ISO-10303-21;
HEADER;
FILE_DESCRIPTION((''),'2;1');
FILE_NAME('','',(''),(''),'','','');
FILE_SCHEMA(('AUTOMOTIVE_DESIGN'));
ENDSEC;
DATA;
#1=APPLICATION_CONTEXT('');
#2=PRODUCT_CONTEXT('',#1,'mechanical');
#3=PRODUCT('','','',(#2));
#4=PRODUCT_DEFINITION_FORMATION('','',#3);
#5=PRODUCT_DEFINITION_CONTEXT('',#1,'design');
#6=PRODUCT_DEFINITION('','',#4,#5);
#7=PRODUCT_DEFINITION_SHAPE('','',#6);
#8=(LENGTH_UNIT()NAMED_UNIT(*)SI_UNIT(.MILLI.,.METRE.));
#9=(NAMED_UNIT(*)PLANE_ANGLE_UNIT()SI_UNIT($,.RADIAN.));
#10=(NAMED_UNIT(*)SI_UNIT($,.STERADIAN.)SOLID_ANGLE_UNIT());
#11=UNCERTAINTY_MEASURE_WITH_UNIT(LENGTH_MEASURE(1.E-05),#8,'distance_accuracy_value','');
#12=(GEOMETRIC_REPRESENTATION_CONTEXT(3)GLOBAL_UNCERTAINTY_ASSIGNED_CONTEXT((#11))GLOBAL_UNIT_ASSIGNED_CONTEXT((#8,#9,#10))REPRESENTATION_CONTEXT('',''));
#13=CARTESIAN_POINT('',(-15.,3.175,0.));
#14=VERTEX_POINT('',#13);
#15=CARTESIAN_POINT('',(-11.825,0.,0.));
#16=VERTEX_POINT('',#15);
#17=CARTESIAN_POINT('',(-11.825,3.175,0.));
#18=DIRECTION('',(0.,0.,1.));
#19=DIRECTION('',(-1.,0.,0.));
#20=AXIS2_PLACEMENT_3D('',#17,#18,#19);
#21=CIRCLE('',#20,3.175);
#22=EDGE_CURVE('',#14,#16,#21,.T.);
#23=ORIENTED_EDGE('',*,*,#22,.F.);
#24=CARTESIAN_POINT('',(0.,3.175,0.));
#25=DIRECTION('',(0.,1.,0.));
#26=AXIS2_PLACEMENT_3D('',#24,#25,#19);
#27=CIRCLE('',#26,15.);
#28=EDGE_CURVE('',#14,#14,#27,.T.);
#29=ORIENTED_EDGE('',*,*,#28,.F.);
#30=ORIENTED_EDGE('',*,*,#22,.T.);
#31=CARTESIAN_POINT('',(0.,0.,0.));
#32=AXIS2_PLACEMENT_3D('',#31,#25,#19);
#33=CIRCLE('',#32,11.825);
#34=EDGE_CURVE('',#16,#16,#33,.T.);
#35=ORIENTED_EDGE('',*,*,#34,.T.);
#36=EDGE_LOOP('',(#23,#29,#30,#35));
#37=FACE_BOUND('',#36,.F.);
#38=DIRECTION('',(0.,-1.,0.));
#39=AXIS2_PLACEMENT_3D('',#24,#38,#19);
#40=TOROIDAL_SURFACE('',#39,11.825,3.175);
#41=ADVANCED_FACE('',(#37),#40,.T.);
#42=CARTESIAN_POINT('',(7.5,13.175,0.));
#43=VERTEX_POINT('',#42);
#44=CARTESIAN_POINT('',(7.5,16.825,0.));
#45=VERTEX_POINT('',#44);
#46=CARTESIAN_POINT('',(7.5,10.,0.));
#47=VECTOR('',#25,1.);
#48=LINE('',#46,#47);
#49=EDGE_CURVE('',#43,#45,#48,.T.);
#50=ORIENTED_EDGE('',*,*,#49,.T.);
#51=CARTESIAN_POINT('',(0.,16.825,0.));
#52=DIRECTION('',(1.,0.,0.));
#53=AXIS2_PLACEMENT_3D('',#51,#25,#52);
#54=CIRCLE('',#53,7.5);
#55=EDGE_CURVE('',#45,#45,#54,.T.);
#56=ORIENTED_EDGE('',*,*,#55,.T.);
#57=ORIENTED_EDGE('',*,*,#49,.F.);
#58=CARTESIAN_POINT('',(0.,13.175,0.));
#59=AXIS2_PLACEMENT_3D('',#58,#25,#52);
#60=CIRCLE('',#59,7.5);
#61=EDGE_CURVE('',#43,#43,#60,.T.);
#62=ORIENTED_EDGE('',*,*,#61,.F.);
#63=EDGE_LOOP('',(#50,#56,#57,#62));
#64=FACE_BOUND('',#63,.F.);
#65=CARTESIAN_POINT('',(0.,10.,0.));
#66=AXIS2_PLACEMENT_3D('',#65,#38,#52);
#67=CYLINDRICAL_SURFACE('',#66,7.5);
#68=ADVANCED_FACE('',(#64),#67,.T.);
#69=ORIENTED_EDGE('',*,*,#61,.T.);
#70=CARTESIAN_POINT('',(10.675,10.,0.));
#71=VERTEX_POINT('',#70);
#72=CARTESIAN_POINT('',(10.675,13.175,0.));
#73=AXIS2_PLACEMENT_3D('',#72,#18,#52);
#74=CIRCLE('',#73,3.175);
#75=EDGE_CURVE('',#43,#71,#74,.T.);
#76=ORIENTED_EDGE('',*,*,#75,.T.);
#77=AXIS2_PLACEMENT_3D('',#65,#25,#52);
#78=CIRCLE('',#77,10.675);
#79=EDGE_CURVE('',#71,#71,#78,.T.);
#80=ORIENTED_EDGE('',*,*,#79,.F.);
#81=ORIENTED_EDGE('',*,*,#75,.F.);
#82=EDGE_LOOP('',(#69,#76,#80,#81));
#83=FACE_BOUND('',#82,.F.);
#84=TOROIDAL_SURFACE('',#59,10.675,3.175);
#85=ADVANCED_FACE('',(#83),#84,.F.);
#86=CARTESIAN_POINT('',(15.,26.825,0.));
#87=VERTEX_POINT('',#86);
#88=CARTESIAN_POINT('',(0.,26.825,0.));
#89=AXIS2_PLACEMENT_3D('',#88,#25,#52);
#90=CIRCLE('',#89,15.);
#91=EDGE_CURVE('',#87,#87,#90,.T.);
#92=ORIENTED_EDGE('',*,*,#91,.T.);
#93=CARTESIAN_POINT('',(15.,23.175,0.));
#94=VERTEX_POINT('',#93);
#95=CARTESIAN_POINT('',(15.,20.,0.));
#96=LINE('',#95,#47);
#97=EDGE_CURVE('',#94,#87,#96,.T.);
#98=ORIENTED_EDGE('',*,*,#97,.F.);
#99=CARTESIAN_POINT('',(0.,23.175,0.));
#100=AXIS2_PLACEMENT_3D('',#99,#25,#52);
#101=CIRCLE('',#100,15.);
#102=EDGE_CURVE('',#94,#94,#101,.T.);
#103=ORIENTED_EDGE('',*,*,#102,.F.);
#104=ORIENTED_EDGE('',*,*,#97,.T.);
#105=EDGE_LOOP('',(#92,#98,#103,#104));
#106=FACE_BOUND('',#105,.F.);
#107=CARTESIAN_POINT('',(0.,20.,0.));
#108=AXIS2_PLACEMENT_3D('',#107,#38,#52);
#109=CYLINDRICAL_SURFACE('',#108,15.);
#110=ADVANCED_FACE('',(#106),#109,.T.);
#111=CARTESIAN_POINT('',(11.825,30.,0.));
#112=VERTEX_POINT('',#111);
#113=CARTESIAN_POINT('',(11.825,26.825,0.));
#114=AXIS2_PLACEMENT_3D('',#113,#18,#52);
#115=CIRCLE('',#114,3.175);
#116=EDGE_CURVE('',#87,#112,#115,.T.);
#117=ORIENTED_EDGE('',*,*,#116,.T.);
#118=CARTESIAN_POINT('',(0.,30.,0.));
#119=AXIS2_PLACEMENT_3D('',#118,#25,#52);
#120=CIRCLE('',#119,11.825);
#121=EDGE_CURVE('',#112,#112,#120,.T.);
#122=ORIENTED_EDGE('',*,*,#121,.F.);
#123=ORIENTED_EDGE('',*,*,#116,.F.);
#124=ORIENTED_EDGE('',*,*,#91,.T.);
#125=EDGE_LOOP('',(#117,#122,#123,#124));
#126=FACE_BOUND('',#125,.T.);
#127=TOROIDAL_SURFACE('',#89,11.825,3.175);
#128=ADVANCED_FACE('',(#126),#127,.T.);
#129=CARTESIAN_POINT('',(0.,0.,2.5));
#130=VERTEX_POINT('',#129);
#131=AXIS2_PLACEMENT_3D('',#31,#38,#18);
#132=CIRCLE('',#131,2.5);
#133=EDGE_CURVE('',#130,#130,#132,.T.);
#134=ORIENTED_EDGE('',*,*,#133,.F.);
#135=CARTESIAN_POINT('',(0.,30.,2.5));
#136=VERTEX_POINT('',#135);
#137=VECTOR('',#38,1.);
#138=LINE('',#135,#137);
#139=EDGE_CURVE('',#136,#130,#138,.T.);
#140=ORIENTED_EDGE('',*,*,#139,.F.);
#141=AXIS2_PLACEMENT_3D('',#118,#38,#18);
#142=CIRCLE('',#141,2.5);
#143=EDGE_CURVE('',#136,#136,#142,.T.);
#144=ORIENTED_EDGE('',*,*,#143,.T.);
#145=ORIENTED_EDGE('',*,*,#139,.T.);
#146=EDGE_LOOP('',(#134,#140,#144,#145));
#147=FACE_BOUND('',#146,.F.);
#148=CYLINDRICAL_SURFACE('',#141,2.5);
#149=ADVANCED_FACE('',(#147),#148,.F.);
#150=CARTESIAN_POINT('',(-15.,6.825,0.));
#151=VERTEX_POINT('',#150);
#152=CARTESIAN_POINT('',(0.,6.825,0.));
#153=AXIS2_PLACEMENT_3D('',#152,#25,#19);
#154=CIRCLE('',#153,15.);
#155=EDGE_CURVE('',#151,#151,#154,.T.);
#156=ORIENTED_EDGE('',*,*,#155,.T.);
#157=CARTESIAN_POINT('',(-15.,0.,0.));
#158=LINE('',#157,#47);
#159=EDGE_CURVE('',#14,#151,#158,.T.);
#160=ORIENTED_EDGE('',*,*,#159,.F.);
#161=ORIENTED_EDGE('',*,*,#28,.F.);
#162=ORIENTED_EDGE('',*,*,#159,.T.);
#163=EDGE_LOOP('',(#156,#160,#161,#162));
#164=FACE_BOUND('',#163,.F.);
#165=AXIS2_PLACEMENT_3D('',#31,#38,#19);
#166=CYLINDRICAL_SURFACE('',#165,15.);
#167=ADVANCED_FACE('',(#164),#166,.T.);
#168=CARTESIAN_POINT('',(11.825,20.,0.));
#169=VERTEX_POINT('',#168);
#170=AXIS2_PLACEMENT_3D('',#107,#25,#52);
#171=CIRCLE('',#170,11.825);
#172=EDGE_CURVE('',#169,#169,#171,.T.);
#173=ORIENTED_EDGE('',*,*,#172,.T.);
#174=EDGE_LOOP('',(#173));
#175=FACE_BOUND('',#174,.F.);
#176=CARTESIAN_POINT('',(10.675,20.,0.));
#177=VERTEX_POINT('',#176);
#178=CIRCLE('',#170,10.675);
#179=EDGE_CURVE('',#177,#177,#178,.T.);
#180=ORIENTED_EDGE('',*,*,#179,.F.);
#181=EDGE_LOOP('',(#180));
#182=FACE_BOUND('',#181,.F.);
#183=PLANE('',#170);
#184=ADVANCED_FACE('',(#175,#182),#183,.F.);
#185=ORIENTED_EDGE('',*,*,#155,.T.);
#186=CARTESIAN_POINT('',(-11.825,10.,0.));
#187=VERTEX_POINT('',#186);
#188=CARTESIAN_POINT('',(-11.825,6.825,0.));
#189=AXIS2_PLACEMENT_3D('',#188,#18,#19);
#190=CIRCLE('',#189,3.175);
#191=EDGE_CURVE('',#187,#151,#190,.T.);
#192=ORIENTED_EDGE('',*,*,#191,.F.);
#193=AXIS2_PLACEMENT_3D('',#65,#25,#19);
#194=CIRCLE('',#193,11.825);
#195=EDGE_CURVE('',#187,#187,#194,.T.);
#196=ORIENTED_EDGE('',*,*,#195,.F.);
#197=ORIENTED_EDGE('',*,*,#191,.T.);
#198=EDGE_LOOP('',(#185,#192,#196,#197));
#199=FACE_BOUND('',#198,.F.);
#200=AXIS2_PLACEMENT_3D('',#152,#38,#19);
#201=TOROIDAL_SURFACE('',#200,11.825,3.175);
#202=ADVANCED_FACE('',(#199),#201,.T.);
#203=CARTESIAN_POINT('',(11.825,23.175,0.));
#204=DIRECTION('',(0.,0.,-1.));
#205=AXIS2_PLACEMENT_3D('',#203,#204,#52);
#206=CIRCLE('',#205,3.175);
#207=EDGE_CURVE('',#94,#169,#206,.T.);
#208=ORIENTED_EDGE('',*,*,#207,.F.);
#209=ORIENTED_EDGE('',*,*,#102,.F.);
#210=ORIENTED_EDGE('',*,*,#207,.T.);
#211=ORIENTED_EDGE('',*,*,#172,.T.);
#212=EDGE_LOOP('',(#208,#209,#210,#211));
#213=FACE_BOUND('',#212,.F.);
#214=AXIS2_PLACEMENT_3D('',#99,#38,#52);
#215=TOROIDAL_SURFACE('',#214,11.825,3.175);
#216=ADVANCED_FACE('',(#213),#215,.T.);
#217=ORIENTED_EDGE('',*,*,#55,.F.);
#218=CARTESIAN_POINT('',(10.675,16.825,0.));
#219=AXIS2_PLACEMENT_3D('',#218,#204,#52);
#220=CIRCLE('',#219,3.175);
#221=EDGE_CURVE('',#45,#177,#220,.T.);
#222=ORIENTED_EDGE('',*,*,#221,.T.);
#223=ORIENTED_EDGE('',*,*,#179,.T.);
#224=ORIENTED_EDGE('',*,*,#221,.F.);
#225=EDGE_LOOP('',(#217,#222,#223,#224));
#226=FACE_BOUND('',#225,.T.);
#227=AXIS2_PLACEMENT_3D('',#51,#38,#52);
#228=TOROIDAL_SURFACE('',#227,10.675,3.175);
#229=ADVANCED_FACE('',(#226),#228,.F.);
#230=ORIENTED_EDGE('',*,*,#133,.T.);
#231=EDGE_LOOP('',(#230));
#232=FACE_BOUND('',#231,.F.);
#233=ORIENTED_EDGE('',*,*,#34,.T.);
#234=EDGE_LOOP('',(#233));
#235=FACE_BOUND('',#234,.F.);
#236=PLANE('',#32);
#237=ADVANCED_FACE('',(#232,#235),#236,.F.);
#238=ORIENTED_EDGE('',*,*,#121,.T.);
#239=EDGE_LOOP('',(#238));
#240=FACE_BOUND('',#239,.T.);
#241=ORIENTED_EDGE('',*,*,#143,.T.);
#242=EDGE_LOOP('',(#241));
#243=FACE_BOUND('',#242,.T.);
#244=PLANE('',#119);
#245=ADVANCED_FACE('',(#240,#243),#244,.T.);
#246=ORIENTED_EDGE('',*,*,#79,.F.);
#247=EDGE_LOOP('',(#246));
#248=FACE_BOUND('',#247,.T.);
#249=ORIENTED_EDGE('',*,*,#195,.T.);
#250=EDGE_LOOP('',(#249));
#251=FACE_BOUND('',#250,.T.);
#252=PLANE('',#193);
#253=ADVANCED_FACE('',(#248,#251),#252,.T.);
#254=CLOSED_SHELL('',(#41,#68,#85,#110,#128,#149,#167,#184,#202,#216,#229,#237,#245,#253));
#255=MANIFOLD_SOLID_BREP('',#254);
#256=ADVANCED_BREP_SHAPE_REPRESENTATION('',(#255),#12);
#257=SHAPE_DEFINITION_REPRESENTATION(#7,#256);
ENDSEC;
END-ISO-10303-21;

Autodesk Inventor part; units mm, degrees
ref_plane "YZ Plane" through (0, 0, 0) normal (1, 0, 0) x (0, 1, 0)
ref_plane "XZ Plane" through (0, 0, 0) normal (0, 1, 0) x (-1, 0, 0)
ref_plane "XY Plane" through (0, 0, 0) normal (0, 0, 1) x (1, 0, 0)
sketch "Sketch1" plane through (0, 0, 0) normal (0, 1, 0) x (-1, 0, 0)
  circle A0 centre (0, 0) radius 15
  dimension "d0" = 30
extrude "Extrusion1" add sketch "Sketch1" along normal blind 10
sketch "Sketch2" plane through (0, 10, 0) normal (0, 1, 0) x (1, 0, 0)
  circle A0 centre (0, 0) radius 7.5
  dimension "d3" = 15
extrude "Extrusion2" add sketch "Sketch2" along normal blind 10
sketch "Sketch3" plane through (0, 20, 0) normal (0, 1, 0) x (1, 0, 0)
  circle A0 centre (0, 0) radius 15
  dimension "d6" = 30
extrude "Extrusion3" add sketch "Sketch3" along normal blind 10
fillet "Fillet1" radius 3.175 1 edges at (-15, 30, 0)
fillet "Fillet2" radius 3.175 1 edges at (-15, 20, 0)
fillet "Fillet3" radius 3.175 1 edges at (15, 10, 0)
fillet "Fillet4" radius 3.175 1 edges at (15, 0, 0)
fillet "Fillet5" radius 3.175 1 edges at (-7.5, 20, 0)
fillet "Fillet6" radius 3.175 1 edges at (-7.5, 10, 0)
hole "Hole1" at (0, 30, 0) direction (0, -1, 0) diameter 5 end through all
properties part number "awesome inventor thing" material "Rock Wool"
